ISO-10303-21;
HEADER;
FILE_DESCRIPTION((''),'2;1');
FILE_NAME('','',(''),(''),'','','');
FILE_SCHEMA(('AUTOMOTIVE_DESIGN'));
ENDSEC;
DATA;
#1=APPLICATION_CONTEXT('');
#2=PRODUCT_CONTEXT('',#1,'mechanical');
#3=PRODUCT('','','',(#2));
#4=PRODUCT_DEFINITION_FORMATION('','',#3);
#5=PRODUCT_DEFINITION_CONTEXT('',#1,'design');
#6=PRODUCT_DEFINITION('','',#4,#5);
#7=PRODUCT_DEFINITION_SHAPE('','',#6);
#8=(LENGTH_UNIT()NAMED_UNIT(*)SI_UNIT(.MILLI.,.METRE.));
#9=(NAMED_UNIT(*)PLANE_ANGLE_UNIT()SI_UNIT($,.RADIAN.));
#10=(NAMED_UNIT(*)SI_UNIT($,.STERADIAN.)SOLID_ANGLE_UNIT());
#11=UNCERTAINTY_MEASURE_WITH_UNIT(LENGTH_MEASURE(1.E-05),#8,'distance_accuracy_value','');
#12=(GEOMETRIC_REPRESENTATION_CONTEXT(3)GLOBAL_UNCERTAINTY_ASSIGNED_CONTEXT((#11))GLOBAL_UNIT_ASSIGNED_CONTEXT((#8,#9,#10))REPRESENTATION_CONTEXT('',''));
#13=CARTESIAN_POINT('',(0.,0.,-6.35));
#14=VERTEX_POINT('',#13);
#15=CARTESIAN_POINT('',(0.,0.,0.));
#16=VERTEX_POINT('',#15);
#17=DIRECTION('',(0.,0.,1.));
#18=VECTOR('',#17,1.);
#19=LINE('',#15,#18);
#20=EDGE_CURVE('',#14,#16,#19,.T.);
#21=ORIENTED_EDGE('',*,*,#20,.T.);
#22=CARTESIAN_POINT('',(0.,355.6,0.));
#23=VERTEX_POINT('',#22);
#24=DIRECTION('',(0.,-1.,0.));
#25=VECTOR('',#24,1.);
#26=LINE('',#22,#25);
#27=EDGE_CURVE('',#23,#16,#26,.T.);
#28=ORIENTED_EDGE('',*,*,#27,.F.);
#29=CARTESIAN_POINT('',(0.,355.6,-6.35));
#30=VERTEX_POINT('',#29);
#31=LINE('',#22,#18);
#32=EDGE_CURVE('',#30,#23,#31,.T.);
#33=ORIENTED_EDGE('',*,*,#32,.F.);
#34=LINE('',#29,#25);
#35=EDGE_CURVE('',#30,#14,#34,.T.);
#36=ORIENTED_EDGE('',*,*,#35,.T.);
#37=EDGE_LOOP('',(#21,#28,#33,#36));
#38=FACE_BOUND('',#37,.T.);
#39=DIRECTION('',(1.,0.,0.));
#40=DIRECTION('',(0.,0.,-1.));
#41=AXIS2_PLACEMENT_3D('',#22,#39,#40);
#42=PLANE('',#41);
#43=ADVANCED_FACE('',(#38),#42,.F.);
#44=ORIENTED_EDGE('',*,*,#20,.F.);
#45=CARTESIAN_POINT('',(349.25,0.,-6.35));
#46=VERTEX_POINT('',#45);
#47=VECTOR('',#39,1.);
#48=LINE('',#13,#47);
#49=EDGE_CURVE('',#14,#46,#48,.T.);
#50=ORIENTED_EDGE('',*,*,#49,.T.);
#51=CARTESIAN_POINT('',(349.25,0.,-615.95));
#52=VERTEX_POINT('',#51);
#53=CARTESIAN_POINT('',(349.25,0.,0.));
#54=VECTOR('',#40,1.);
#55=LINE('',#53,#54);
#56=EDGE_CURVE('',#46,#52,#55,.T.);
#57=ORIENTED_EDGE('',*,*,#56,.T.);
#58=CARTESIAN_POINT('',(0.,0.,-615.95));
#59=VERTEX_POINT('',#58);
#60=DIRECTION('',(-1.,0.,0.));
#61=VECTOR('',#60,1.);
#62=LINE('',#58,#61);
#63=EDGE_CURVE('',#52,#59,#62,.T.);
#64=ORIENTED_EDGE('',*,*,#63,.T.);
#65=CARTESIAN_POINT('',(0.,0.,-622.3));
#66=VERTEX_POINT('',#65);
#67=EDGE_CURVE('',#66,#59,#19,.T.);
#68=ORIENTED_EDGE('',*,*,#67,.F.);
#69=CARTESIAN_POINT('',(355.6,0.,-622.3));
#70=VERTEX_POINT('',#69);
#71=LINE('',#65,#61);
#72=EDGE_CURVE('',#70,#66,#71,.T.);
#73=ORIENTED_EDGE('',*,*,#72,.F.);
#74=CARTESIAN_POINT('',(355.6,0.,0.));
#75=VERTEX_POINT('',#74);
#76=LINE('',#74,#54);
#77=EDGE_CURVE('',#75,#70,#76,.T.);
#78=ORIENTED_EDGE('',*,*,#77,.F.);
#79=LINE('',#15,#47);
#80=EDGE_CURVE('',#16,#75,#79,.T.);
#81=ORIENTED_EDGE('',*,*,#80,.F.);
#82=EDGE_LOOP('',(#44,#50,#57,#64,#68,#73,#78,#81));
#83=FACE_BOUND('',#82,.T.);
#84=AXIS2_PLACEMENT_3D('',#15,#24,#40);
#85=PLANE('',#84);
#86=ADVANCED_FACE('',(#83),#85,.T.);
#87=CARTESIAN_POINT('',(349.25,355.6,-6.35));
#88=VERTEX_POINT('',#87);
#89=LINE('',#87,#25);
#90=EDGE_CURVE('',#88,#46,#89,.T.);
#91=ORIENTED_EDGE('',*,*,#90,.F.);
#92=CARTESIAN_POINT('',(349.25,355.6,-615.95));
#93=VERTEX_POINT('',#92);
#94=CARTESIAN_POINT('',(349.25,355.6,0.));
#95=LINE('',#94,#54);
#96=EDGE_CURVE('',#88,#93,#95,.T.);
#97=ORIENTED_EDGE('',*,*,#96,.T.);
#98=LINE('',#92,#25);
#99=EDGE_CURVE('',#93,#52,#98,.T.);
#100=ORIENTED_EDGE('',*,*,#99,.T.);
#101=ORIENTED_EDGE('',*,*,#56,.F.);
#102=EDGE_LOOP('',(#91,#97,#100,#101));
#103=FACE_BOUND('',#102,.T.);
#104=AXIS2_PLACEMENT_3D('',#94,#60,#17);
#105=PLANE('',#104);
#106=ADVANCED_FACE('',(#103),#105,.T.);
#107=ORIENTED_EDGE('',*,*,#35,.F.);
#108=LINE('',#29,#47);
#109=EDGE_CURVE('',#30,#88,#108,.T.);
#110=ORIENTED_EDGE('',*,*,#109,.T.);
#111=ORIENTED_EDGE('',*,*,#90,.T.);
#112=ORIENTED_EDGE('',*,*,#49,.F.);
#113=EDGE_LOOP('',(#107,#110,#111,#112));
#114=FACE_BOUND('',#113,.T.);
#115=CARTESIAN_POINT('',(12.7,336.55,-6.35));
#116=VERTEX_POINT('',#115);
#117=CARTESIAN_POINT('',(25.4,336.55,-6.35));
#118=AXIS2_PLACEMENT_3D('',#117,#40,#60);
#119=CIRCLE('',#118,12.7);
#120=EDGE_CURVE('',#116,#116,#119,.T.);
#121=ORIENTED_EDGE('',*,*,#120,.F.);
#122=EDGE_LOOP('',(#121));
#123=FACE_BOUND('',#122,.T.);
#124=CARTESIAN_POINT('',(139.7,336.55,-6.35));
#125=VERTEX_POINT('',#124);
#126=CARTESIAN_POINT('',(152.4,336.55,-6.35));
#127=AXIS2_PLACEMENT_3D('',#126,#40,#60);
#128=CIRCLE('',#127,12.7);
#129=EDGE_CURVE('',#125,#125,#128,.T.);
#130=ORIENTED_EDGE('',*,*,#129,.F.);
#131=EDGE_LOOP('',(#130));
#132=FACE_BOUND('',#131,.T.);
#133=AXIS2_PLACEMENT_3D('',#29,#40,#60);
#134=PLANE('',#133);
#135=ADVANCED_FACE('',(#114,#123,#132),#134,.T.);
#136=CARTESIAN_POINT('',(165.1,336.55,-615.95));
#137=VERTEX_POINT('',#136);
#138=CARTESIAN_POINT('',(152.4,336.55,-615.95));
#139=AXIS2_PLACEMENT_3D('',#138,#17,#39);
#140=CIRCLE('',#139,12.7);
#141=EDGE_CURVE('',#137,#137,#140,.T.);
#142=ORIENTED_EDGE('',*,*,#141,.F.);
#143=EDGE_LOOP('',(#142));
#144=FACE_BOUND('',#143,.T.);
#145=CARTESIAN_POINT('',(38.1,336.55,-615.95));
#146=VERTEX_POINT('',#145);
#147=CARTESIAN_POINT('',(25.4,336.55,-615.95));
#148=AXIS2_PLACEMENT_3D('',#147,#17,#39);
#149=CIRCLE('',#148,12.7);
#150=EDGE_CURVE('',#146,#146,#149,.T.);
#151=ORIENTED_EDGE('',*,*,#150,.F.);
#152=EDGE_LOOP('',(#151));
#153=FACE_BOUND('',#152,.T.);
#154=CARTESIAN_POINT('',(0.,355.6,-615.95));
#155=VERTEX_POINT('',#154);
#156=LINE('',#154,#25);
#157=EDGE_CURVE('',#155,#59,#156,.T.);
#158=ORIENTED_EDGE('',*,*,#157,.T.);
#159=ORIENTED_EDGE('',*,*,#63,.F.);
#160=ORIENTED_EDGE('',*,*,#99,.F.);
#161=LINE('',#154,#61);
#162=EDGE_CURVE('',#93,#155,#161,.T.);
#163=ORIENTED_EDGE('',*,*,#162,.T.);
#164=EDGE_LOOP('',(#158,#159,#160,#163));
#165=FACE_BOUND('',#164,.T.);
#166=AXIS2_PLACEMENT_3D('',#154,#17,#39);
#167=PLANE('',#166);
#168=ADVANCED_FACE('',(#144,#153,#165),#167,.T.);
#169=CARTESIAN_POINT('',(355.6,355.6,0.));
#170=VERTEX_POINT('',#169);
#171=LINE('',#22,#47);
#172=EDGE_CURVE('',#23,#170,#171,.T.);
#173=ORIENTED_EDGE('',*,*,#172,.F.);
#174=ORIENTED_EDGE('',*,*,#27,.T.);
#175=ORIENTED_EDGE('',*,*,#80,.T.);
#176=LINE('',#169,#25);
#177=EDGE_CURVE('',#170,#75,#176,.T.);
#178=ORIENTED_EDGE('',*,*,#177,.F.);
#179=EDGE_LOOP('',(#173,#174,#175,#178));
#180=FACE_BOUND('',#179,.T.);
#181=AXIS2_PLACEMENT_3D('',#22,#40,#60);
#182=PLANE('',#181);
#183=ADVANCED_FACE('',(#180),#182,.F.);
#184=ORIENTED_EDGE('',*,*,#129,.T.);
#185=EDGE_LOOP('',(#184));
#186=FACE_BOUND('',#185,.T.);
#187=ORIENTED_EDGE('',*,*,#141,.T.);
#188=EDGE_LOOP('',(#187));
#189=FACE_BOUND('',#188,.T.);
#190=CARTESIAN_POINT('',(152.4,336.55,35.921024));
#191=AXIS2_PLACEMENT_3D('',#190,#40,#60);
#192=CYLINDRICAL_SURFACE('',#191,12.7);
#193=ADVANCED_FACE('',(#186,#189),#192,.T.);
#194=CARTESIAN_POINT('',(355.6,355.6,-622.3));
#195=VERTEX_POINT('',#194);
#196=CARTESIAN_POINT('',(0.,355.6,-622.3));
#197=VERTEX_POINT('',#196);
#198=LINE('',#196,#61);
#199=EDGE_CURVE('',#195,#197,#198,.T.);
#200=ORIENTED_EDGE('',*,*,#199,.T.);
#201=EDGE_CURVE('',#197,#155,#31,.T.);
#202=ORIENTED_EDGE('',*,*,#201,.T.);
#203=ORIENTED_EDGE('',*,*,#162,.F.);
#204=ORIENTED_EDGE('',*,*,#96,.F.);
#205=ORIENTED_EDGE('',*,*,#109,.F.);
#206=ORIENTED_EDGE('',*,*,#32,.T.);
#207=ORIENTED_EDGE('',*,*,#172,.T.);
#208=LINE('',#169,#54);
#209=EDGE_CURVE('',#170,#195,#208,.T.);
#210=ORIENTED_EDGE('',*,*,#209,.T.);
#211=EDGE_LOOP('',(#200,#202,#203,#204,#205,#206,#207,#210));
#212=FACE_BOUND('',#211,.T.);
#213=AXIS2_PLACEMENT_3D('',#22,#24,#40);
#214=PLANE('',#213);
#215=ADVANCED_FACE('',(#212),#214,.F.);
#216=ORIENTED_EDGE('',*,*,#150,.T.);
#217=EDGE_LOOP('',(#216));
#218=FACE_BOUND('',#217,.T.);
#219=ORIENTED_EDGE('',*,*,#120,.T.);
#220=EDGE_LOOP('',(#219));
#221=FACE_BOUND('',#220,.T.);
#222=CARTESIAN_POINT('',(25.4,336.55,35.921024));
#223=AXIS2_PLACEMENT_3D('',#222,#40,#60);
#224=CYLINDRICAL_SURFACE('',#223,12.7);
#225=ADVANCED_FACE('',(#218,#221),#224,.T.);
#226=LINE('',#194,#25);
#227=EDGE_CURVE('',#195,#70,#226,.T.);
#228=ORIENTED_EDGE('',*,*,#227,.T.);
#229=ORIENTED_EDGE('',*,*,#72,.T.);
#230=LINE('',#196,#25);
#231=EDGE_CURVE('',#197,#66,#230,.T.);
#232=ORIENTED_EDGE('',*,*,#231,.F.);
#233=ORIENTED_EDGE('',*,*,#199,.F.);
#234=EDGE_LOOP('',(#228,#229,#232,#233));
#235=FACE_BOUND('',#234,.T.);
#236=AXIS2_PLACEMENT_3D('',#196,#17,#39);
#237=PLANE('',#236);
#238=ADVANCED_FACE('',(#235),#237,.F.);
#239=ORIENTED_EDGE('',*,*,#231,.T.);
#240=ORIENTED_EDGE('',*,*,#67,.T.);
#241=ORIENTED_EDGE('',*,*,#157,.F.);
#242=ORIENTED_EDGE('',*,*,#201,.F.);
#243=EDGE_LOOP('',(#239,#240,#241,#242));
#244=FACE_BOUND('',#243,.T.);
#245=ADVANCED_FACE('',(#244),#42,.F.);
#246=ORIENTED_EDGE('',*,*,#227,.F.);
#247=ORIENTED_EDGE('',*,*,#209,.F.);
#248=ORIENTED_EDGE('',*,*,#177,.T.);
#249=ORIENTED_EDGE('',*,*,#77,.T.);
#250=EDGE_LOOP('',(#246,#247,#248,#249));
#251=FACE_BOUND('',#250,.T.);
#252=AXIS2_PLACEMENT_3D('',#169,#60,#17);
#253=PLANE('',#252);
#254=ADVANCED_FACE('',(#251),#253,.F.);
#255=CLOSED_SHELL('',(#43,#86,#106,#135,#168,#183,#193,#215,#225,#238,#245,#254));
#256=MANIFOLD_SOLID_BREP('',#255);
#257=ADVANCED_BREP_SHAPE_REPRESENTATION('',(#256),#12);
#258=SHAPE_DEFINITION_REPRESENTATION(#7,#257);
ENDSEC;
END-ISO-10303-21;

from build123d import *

# Parameters (mm, degrees)
SKETCH1_W           = 355.6
SKETCH1_H           = 622.3
BOSS_EXTRUDE1_DEPTH = 355.6
SHELL1_T            = -6.35
SKETCH2_R           = 12.7
BOSS_EXTRUDE2_DEPTH = 622.3


with BuildPart() as part:
    # Sketch1 → Boss-Extrude1 (new body)
    with BuildSketch(Plane(origin=(0, 0, 0), x_dir=(1, 0, 0), z_dir=(0, 1, 0))):
        with Locations((177.8, 311.15)):
            Rectangle(SKETCH1_W, SKETCH1_H)
    extrude(amount=BOSS_EXTRUDE1_DEPTH)

    # Shell1
    shell1_openings = [part.faces().sort_by_distance(p)[0] for p in [
        (177.8, 355.6, -311.15),
        (177.8, 0, -311.15),
        (0, 177.8, -311.15),
    ]]
    offset(amount=SHELL1_T, openings=shell1_openings, kind=Kind.INTERSECTION)

    # Sketch2 → Boss-Extrude2 (add)
    with BuildSketch(Plane(origin=(0, 0, -622.3), x_dir=(-1, 0, 0), z_dir=(0, 0, -1))):
        with Locations((-152.4, 336.55)):
            Circle(SKETCH2_R)
        with Locations((-25.4, 336.55)):
            Circle(SKETCH2_R)
    extrude(amount=-BOSS_EXTRUDE2_DEPTH)


solid = part.part
